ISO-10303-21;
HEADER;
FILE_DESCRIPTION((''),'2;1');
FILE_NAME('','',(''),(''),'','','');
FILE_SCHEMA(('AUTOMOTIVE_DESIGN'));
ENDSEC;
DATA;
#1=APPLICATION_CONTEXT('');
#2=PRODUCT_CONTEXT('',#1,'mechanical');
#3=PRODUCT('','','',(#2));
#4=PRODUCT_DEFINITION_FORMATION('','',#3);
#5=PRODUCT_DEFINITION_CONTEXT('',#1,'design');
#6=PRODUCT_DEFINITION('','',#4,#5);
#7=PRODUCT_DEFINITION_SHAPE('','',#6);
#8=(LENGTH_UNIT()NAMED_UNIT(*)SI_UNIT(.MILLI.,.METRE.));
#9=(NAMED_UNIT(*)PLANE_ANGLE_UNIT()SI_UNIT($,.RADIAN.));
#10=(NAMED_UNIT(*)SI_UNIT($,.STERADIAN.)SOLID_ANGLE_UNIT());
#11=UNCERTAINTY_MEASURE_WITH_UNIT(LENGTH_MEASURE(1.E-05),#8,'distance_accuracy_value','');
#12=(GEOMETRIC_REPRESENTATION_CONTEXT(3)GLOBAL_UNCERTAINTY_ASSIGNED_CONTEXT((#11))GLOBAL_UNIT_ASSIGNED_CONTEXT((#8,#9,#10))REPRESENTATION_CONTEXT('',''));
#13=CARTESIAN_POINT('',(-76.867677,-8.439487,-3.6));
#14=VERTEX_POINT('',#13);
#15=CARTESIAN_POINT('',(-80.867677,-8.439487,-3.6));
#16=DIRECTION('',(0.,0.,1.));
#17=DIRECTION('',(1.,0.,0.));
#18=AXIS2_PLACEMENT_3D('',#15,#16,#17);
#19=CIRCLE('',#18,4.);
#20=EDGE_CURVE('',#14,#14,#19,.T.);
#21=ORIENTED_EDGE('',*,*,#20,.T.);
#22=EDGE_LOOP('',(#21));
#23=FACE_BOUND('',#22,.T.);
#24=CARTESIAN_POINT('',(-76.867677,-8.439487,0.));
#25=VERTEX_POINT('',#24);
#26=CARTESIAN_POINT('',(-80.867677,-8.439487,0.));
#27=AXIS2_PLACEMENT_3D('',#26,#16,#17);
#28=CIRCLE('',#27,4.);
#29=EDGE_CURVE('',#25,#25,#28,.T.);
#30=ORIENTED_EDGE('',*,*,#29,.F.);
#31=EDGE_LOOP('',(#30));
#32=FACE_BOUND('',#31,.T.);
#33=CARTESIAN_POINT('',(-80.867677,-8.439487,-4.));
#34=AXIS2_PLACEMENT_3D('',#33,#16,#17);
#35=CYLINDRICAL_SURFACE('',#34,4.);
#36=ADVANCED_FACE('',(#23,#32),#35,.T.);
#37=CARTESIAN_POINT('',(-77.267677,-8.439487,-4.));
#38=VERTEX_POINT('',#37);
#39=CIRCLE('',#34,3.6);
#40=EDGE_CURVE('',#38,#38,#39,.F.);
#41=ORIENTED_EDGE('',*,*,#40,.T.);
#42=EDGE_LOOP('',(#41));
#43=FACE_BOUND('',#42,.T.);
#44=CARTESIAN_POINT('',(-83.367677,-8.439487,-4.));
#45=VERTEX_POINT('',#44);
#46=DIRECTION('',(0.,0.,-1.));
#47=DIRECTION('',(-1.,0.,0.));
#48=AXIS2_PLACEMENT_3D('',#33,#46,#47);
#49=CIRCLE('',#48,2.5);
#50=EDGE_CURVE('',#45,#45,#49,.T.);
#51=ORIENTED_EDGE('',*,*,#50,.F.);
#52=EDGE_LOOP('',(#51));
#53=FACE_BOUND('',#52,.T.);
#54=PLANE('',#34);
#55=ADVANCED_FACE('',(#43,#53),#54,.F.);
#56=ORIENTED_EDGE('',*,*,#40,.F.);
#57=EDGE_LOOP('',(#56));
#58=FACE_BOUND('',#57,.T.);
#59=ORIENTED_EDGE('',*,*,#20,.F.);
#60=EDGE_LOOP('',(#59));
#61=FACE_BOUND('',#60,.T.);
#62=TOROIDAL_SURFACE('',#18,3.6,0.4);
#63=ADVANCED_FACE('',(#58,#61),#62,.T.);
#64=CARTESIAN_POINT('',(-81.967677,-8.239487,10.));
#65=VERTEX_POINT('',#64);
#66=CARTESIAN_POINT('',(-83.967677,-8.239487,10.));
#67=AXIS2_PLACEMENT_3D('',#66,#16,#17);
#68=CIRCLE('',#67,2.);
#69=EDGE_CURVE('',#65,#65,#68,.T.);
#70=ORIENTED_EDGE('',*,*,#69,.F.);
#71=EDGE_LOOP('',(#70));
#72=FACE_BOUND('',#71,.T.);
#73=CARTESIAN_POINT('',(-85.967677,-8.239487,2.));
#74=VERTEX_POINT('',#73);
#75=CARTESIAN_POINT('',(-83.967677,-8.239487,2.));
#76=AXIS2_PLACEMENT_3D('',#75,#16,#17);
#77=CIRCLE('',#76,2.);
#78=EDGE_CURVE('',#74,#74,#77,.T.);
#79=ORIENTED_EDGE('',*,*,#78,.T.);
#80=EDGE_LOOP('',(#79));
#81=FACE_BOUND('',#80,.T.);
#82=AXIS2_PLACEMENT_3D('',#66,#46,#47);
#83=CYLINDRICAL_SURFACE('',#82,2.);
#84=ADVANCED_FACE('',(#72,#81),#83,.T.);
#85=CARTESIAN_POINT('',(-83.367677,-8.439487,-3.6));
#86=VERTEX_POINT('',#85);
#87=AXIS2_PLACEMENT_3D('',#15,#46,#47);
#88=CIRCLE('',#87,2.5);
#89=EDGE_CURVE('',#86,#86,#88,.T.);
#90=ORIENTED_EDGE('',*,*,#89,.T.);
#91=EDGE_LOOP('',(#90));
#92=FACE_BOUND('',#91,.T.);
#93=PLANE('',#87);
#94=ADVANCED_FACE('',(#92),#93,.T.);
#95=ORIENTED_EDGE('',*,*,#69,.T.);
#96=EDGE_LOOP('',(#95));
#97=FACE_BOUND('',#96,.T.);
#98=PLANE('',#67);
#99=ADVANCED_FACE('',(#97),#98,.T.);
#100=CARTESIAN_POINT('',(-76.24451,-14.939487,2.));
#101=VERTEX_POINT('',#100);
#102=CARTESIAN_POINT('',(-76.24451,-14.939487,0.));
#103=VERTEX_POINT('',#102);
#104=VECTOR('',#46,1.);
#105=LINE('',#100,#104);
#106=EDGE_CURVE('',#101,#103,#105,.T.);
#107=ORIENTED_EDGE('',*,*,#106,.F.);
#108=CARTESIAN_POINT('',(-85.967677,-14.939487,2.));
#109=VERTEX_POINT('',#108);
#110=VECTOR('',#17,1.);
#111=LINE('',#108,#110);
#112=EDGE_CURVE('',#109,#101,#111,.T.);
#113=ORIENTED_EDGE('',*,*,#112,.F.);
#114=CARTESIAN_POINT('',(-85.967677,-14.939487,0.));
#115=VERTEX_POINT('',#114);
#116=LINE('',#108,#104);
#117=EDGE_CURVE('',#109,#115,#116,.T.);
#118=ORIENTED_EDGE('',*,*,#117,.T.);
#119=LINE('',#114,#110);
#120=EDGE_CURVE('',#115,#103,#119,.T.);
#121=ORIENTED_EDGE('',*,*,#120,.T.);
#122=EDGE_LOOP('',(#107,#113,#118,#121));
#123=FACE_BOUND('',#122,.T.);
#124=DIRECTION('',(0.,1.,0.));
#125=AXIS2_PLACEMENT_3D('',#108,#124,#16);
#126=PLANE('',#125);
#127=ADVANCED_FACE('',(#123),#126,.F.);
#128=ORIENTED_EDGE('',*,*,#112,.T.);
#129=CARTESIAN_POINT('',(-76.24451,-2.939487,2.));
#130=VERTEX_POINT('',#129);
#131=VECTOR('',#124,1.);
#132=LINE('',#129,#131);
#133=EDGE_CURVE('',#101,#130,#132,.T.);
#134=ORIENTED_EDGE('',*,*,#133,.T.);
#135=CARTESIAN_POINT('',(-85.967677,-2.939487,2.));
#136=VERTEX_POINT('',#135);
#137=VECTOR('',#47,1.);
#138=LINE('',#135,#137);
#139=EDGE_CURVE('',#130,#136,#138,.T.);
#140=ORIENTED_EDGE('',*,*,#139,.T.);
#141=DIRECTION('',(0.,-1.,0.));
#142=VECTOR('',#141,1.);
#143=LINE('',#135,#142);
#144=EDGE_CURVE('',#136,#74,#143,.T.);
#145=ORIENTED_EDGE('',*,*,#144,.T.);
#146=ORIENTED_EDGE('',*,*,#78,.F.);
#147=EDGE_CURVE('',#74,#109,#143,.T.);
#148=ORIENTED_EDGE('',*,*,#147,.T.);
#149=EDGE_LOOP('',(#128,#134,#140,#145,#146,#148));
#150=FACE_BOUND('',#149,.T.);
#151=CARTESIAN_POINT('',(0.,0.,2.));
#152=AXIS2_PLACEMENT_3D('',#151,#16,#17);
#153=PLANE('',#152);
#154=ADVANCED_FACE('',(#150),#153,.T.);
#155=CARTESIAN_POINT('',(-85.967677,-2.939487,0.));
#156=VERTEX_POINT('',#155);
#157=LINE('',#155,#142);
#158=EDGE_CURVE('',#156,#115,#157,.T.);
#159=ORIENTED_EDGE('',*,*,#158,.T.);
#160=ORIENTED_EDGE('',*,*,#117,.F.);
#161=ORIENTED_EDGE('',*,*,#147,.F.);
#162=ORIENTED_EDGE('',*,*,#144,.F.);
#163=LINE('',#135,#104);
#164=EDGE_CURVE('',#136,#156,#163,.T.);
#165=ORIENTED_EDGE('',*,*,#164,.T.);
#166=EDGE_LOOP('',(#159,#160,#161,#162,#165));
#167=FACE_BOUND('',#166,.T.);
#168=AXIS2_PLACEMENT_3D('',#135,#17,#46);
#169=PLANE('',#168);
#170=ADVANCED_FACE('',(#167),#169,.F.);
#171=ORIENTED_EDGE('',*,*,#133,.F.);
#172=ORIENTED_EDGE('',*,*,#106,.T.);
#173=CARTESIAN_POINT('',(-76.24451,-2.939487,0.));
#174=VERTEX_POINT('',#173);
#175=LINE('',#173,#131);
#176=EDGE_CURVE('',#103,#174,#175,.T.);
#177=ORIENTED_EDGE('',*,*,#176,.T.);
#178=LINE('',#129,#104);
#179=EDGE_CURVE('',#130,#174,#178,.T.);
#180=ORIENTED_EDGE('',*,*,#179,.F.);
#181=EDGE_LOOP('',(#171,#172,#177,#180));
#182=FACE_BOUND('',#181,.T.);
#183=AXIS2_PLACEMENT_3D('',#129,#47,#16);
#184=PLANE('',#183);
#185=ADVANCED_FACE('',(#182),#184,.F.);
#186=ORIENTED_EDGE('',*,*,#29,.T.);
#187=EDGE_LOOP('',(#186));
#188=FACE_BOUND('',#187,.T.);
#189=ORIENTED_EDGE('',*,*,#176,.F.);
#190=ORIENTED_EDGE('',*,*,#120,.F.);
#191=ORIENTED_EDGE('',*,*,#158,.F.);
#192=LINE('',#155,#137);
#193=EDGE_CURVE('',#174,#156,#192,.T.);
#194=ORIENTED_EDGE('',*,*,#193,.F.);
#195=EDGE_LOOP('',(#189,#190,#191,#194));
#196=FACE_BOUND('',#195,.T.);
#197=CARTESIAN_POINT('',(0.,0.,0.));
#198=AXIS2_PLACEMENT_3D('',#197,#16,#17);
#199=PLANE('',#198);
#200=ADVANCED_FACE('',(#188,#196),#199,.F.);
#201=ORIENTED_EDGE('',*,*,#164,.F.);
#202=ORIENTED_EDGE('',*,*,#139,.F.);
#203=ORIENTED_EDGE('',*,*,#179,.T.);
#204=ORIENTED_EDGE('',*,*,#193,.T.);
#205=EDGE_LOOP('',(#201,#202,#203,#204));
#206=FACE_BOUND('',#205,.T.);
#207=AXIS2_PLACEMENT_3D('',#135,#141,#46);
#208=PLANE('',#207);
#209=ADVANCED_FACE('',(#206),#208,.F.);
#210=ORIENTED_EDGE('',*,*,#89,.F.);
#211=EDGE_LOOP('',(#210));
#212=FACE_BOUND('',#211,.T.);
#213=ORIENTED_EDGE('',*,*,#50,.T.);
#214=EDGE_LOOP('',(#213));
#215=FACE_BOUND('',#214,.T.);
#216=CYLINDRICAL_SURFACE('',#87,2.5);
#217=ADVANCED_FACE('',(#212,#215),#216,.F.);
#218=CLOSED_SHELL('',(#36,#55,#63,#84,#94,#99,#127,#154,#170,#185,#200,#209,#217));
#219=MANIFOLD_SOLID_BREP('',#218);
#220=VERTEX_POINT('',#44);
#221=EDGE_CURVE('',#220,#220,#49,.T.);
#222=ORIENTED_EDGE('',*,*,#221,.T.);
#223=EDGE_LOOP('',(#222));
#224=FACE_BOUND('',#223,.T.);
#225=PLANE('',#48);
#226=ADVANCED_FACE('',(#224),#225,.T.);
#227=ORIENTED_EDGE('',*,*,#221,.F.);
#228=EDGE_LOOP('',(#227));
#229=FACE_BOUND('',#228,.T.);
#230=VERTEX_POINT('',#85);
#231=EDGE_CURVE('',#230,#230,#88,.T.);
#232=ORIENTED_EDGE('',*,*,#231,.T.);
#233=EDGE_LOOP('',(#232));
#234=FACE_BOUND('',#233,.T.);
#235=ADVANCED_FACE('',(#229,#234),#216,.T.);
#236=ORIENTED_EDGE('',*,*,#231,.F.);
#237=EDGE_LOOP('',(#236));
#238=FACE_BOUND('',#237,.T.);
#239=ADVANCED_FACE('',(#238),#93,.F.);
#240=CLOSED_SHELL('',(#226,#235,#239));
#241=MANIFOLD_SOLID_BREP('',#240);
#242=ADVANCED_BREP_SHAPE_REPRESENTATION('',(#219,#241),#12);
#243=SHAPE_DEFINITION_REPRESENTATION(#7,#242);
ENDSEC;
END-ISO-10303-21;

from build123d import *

# Parameters (mm, degrees)
SKIZZE2_R                       = 4
AUFSATZ_LINEAR_AUSTRAGEN1_DEPTH = 4
SKIZZE3_W                       = 9.723167254
SKIZZE3_H                       = 12
AUFSATZ_LINEAR_AUSTRAGEN2_DEPTH = 2
VERRUNDUNG1_R                   = 0.4
SKIZZE5_R                       = 2
AUFSATZ_LINEAR_AUSTRAGEN4_DEPTH = 8
SKIZZE4_R                       = 2.5
SCHNITT_LINEAR_AUSTRAGEN1_DEPTH = 0.4
SKIZZE4_5_R                     = 2.5
AUFSATZ_LINEAR_AUSTRAGEN5_DEPTH = 0.4


with BuildPart() as part:
    # Skizze2 → Aufsatz-Linear austragen1 (new body)
    with BuildSketch(Plane.XY):
        with Locations((-80.86767695, -8.439487313)):
            Circle(SKIZZE2_R)
    extrude(amount=-AUFSATZ_LINEAR_AUSTRAGEN1_DEPTH)

    # Skizze3 → Aufsatz-Linear austragen2 (add)
    with BuildSketch(Plane.XY):
        with Locations((-81.106093323, -8.939487313)):
            Rectangle(SKIZZE3_W, SKIZZE3_H)
    extrude(amount=AUFSATZ_LINEAR_AUSTRAGEN2_DEPTH)

    # Verrundung1
    verrundung1_edges = [part.edges().sort_by_distance(p)[0] for p in [
        (-84.86767695, -8.439487313, -4),
    ]]
    fillet(verrundung1_edges, radius=VERRUNDUNG1_R)

    # Skizze5 → Aufsatz-Linear austragen4 (add)
    with BuildSketch(Plane.XY.offset(2)):
        with Locations((-83.96767695, -8.239487313)):
            Circle(SKIZZE5_R)
    extrude(amount=AUFSATZ_LINEAR_AUSTRAGEN4_DEPTH)

    # Skizze4 → Schnitt-Linear austragen1 (cut)
    with BuildSketch(Plane(origin=(0, 0, -4), x_dir=(-1, 0, 0), z_dir=(0, 0, -1))):
        with Locations((80.86767695, -8.439487313)):
            Circle(SKIZZE4_R)
    extrude(amount=-SCHNITT_LINEAR_AUSTRAGEN1_DEPTH, mode=Mode.SUBTRACT)


with BuildPart() as body_2:
    # Skizze4<5> → Aufsatz-Linear austragen5 (new body)
    with BuildSketch(Plane(origin=(0, 0, -4), x_dir=(-1, 0, 0), z_dir=(0, 0, -1))):
        with Locations((80.86767695, -8.439487313)):
            Circle(SKIZZE4_5_R)
    extrude(amount=-AUFSATZ_LINEAR_AUSTRAGEN5_DEPTH)


solid = Compound([part.part, body_2.part])
